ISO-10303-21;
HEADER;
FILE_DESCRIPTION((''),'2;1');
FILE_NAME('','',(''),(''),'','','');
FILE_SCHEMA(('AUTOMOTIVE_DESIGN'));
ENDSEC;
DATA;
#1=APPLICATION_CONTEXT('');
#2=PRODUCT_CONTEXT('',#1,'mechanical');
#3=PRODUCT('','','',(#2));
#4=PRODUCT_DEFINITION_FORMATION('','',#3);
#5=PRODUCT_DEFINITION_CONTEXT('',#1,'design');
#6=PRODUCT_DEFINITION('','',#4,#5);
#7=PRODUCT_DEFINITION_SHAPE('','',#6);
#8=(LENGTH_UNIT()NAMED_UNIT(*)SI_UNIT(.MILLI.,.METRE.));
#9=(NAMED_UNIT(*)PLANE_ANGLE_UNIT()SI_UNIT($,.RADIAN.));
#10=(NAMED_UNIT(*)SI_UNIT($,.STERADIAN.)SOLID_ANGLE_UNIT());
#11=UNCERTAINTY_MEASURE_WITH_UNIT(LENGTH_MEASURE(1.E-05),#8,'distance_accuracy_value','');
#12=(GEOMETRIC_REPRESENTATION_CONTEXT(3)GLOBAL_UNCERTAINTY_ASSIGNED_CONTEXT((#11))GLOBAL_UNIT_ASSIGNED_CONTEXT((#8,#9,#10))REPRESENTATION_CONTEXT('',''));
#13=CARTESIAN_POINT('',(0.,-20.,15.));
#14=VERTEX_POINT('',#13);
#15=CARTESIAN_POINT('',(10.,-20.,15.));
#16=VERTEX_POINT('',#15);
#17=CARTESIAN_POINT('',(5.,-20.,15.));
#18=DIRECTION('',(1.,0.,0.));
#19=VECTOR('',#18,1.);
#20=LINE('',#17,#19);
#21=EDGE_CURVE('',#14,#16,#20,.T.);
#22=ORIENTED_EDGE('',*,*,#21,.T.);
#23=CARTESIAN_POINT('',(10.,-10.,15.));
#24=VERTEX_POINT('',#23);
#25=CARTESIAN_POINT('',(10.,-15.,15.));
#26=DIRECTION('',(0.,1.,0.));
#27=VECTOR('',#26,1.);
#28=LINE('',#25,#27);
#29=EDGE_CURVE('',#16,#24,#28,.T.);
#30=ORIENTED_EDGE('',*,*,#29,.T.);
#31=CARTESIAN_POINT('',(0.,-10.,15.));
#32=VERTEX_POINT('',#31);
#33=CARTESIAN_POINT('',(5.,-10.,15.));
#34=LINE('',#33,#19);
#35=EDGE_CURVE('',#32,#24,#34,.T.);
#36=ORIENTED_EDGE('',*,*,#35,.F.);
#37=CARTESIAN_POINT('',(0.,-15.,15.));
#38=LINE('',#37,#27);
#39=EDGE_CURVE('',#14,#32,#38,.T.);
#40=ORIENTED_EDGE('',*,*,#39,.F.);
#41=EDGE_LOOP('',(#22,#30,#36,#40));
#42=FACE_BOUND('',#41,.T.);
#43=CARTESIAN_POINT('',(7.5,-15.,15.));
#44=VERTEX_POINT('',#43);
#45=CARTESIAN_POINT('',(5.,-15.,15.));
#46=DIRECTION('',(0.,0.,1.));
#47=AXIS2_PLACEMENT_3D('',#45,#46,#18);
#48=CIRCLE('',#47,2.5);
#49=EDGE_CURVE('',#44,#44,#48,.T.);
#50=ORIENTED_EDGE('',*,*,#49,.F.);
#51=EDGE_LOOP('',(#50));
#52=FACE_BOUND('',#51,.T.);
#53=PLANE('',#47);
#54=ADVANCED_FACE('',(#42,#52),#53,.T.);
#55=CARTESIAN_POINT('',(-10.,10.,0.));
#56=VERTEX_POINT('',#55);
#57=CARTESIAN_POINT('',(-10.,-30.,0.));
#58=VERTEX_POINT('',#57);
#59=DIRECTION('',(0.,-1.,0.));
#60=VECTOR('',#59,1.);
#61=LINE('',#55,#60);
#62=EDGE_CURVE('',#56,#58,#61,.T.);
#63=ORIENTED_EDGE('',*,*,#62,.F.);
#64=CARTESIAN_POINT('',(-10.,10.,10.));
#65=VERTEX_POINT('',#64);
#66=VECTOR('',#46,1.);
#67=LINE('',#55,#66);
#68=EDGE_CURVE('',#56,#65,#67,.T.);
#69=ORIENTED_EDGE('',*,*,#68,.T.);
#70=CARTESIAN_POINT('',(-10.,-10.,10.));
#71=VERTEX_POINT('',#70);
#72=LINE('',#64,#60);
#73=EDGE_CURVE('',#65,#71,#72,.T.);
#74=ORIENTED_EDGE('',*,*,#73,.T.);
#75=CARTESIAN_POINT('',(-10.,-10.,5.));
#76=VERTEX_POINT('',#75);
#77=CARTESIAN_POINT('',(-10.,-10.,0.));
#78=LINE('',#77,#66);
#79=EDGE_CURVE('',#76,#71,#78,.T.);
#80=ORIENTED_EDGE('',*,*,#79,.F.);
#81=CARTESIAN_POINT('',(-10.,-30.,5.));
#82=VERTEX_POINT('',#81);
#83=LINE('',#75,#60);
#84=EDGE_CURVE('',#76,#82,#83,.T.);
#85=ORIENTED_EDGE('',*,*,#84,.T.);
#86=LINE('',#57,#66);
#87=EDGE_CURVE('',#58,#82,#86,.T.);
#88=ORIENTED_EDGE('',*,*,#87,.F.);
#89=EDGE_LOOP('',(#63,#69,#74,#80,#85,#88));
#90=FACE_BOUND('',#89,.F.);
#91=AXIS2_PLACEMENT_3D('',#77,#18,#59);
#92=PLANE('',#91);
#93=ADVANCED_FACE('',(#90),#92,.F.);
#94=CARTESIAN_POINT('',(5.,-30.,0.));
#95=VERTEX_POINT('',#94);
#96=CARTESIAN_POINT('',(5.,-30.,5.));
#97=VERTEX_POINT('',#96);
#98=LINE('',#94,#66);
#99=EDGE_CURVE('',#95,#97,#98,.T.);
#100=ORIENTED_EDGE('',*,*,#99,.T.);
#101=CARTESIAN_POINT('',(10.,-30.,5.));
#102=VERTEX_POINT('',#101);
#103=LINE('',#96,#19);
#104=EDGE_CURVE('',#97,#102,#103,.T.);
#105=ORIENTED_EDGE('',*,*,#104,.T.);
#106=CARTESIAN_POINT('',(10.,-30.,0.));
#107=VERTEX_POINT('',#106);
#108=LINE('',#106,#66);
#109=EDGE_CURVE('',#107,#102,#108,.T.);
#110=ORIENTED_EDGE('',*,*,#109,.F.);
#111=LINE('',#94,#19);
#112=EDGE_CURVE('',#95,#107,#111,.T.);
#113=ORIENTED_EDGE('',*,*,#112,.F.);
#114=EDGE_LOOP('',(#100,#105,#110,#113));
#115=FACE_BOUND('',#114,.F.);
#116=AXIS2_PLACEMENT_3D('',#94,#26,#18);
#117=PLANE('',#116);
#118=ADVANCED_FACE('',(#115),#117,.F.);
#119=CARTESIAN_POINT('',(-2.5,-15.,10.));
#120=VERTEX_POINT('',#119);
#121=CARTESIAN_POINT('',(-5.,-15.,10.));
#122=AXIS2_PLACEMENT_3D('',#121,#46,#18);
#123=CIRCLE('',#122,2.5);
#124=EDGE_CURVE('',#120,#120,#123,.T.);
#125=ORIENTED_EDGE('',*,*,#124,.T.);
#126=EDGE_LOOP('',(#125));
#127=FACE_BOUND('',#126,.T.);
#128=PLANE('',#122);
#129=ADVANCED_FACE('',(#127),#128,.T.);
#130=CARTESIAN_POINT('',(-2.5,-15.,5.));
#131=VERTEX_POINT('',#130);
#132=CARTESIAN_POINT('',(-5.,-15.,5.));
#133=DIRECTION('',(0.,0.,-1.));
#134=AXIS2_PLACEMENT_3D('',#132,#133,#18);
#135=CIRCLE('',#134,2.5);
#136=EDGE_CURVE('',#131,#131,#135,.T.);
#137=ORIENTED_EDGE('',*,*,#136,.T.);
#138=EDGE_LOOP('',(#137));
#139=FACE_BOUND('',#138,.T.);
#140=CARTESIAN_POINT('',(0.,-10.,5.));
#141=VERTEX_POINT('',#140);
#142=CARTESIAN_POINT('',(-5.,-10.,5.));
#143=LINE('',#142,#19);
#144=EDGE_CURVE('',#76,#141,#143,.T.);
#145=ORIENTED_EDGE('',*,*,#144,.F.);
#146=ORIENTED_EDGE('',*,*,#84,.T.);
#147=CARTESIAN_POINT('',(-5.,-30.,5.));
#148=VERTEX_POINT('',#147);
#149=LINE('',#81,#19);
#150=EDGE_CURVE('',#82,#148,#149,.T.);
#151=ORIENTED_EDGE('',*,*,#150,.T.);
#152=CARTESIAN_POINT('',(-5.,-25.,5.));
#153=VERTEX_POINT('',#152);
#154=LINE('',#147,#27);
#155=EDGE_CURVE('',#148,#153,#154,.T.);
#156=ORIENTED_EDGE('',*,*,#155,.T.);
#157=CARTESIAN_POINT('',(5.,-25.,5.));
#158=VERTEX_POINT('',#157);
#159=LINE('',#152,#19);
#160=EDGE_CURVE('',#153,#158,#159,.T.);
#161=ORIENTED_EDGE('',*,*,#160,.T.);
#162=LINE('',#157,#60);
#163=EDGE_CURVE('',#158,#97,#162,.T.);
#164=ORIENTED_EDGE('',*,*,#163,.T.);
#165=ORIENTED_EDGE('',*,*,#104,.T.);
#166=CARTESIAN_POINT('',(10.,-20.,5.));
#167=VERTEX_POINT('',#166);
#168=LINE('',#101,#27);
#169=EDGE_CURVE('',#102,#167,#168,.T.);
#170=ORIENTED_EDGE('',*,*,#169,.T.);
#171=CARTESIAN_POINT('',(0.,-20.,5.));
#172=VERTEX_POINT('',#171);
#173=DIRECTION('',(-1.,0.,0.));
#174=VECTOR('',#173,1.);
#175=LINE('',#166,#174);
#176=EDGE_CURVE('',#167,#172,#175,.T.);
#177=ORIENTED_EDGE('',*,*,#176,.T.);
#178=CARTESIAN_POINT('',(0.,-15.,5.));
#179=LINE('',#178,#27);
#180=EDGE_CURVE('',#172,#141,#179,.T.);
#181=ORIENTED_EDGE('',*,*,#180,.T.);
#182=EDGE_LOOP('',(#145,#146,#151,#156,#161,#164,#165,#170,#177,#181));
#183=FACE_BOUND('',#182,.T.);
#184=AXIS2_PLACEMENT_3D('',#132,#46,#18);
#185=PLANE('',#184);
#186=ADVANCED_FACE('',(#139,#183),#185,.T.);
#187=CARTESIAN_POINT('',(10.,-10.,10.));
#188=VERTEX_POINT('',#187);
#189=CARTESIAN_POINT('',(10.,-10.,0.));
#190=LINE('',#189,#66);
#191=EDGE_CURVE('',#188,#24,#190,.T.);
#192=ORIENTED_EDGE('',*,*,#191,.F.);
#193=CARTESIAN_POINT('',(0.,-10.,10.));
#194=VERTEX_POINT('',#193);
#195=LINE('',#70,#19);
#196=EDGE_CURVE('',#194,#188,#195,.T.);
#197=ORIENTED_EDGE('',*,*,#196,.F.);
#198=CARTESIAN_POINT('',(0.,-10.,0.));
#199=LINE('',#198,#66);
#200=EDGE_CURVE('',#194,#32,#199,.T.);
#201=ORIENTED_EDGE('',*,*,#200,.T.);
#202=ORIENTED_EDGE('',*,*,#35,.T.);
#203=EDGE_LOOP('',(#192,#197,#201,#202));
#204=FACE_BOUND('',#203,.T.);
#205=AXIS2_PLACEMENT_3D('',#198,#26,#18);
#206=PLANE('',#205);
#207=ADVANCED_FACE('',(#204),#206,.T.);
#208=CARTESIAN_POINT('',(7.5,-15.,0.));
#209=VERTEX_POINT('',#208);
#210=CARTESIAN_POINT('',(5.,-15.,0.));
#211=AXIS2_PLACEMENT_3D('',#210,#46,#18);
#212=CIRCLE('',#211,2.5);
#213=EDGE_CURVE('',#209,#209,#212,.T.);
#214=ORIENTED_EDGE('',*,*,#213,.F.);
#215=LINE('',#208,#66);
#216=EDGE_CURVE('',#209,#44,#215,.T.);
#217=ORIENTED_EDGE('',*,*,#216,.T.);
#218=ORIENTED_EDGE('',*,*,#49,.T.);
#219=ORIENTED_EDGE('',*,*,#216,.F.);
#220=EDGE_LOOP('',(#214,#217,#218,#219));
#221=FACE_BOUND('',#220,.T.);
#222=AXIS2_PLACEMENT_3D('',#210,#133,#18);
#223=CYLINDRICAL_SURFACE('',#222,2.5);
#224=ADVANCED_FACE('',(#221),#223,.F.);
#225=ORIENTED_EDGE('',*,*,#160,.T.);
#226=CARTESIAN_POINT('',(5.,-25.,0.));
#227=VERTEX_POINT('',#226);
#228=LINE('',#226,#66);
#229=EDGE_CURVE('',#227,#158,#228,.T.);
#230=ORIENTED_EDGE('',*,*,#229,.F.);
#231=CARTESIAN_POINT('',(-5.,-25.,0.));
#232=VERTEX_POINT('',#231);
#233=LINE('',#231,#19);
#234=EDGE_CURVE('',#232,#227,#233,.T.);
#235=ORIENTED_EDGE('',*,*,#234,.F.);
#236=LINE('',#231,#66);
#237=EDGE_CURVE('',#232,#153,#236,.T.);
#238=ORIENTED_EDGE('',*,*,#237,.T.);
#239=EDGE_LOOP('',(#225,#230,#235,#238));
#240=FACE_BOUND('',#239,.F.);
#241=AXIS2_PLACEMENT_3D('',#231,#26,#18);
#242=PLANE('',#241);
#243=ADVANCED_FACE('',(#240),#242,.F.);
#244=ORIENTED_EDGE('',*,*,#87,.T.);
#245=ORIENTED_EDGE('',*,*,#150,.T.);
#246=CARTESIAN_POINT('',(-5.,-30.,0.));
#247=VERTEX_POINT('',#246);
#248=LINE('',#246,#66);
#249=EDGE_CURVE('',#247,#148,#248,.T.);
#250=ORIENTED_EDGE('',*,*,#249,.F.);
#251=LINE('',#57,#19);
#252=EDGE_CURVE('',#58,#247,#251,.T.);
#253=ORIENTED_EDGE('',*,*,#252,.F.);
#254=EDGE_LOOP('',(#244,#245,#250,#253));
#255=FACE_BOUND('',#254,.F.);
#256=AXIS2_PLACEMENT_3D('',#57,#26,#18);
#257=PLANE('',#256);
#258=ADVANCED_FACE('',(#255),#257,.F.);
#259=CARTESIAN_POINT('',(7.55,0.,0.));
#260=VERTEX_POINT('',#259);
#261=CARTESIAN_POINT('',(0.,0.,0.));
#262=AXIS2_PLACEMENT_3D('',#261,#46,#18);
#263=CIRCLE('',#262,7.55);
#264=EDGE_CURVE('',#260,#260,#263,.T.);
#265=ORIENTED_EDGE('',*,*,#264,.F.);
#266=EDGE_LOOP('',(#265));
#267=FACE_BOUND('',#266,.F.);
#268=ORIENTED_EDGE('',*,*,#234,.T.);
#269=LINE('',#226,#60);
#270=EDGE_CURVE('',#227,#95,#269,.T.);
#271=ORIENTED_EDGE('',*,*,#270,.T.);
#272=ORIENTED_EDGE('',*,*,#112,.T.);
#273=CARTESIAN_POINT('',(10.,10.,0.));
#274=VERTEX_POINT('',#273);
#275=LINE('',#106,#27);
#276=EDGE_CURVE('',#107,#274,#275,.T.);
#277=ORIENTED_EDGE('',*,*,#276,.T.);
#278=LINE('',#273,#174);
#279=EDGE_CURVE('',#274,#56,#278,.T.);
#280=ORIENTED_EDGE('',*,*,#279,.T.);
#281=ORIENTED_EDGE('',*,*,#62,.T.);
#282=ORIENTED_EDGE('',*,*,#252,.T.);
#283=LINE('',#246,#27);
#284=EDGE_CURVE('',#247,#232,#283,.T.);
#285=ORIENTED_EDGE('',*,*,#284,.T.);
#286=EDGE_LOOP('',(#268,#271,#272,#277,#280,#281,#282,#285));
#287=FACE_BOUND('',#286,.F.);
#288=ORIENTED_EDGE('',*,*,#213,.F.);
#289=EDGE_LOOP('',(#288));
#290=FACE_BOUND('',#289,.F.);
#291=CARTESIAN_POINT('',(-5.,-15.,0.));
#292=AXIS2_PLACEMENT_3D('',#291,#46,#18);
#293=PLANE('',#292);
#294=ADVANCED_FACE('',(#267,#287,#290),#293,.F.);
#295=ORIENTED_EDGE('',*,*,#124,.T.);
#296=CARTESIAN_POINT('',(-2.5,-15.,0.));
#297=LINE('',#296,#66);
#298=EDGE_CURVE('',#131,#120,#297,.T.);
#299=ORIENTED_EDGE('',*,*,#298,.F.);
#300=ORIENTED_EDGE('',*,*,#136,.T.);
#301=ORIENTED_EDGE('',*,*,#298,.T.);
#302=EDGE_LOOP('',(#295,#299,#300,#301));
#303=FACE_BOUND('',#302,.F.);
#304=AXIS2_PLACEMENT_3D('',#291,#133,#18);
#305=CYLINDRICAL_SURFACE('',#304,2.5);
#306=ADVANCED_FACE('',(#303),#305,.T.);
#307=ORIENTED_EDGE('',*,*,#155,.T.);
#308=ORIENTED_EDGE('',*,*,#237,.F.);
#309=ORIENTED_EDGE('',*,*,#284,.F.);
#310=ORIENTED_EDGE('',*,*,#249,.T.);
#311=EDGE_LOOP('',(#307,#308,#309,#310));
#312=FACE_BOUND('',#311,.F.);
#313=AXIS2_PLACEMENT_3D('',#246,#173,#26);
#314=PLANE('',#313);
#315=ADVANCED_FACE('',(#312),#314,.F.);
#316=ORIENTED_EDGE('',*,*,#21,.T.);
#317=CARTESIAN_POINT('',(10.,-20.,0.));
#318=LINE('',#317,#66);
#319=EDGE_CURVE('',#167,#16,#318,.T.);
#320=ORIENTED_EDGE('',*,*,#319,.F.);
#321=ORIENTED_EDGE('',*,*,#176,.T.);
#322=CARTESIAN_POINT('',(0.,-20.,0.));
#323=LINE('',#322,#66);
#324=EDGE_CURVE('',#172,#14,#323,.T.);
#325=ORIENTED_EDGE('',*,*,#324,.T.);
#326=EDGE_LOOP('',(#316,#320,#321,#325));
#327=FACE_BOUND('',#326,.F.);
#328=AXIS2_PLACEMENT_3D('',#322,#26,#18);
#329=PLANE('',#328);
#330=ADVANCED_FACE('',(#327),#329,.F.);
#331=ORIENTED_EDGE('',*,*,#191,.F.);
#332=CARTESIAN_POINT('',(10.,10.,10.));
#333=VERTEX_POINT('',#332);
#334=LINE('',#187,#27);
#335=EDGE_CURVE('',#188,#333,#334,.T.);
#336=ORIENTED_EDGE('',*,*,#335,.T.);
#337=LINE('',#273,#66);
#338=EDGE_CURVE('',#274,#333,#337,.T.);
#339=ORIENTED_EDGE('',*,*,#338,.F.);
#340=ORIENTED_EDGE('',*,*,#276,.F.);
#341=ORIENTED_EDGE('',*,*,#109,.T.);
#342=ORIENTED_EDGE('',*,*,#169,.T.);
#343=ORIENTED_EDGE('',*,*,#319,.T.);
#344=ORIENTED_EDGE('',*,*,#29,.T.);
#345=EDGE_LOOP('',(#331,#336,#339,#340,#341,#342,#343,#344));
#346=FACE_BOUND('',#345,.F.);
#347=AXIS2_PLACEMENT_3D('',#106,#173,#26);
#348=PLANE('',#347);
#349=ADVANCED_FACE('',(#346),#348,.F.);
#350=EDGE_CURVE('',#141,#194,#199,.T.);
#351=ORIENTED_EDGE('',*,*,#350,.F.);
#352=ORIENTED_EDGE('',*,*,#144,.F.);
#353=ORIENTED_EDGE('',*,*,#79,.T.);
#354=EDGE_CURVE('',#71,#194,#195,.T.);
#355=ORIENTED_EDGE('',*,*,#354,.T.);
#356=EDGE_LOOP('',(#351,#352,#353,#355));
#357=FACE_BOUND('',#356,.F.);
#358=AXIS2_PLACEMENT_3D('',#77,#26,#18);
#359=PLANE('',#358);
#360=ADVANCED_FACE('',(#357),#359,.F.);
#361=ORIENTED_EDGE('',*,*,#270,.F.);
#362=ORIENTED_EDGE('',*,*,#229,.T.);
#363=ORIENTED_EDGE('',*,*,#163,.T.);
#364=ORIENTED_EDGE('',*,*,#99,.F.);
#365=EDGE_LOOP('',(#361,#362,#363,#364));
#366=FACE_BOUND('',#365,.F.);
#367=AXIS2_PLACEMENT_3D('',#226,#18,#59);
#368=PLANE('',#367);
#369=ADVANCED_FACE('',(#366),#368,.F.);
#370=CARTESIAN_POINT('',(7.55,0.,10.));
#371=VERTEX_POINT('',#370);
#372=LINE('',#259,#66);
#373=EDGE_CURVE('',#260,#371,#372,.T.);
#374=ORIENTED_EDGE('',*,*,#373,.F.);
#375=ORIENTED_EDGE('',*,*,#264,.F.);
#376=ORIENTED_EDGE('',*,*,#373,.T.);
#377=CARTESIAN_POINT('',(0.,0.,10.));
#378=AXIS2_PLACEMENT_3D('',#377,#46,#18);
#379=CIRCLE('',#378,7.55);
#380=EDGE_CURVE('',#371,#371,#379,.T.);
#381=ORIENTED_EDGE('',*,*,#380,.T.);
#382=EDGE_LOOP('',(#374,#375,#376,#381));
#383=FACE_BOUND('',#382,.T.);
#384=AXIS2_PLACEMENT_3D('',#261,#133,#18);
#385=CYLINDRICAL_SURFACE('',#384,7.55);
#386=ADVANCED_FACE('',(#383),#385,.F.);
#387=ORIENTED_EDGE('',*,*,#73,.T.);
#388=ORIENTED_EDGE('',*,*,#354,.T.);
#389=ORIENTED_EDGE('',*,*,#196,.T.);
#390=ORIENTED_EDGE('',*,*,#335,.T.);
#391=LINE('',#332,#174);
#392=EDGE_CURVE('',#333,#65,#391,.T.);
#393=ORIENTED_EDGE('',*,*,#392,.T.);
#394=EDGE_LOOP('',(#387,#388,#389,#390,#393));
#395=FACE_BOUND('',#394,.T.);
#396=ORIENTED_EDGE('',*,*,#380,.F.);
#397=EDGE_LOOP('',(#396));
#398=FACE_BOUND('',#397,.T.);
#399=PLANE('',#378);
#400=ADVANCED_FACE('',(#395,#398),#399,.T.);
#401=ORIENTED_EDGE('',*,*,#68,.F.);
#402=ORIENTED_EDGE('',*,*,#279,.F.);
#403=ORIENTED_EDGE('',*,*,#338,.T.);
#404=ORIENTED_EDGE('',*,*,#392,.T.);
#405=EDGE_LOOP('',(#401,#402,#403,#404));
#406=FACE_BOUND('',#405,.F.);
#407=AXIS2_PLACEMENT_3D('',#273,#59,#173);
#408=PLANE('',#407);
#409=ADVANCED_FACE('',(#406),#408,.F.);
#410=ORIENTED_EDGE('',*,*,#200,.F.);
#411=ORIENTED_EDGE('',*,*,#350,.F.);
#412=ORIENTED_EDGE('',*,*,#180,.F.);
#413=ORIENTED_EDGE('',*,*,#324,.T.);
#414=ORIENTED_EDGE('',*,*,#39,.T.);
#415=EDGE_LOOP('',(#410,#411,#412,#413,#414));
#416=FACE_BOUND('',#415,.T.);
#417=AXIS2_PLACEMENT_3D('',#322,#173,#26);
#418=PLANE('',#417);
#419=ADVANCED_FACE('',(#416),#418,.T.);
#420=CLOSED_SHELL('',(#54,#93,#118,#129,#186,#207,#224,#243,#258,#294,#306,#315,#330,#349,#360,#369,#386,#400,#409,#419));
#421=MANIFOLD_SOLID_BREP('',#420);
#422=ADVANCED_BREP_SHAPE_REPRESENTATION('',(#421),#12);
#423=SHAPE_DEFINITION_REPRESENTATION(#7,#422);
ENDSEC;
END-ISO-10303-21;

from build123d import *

# Parameters (mm, degrees)
F0_R     = 7.55
F1_DEPTH = 10
F0_W     = 10
F0_H     = 10
F0_R_2   = 2.5
F2_DEPTH = 5
F3_DEPTH = 15
F4_DEPTH = 10


with BuildPart() as f1:
    # F0 (on Top) → F1 (new body)
    with BuildSketch(Plane.XY):
        Polygon((10, -10), (10, 10), (-10, 10), (-10, -10), (0, -10), align=None)
        Circle(F0_R, mode=Mode.SUBTRACT)
    extrude(amount=F1_DEPTH)

    # F0 (on Top) → F2 (join)
    with BuildSketch(Plane.XY):
        with Locations((-5, -15)):
            Rectangle(F0_W, F0_H)
        with Locations((-5, -15)):
            Circle(F0_R_2, mode=Mode.SUBTRACT)
        Polygon((10, -30), (10, -20), (0, -20), (-10, -20), (-10, -30), (-5, -30), (-5, -25), (5, -25), (5, -30), align=None)
        with Locations((-5, -15)):
            Circle(F0_R_2)
    extrude(amount=F2_DEPTH)

    # F0 (on Top) → F3 (join)
    with BuildSketch(Plane.XY):
        with Locations((5, -15)):
            Rectangle(F0_W, F0_H)
        with Locations((5, -15)):
            Circle(F0_R_2, mode=Mode.SUBTRACT)
    extrude(amount=F3_DEPTH)

    # F0 (on Top) → F4 (join)
    with BuildSketch(Plane.XY):
        with Locations((-5, -15)):
            Circle(F0_R_2)
    extrude(amount=F4_DEPTH)


solid = f1.part
